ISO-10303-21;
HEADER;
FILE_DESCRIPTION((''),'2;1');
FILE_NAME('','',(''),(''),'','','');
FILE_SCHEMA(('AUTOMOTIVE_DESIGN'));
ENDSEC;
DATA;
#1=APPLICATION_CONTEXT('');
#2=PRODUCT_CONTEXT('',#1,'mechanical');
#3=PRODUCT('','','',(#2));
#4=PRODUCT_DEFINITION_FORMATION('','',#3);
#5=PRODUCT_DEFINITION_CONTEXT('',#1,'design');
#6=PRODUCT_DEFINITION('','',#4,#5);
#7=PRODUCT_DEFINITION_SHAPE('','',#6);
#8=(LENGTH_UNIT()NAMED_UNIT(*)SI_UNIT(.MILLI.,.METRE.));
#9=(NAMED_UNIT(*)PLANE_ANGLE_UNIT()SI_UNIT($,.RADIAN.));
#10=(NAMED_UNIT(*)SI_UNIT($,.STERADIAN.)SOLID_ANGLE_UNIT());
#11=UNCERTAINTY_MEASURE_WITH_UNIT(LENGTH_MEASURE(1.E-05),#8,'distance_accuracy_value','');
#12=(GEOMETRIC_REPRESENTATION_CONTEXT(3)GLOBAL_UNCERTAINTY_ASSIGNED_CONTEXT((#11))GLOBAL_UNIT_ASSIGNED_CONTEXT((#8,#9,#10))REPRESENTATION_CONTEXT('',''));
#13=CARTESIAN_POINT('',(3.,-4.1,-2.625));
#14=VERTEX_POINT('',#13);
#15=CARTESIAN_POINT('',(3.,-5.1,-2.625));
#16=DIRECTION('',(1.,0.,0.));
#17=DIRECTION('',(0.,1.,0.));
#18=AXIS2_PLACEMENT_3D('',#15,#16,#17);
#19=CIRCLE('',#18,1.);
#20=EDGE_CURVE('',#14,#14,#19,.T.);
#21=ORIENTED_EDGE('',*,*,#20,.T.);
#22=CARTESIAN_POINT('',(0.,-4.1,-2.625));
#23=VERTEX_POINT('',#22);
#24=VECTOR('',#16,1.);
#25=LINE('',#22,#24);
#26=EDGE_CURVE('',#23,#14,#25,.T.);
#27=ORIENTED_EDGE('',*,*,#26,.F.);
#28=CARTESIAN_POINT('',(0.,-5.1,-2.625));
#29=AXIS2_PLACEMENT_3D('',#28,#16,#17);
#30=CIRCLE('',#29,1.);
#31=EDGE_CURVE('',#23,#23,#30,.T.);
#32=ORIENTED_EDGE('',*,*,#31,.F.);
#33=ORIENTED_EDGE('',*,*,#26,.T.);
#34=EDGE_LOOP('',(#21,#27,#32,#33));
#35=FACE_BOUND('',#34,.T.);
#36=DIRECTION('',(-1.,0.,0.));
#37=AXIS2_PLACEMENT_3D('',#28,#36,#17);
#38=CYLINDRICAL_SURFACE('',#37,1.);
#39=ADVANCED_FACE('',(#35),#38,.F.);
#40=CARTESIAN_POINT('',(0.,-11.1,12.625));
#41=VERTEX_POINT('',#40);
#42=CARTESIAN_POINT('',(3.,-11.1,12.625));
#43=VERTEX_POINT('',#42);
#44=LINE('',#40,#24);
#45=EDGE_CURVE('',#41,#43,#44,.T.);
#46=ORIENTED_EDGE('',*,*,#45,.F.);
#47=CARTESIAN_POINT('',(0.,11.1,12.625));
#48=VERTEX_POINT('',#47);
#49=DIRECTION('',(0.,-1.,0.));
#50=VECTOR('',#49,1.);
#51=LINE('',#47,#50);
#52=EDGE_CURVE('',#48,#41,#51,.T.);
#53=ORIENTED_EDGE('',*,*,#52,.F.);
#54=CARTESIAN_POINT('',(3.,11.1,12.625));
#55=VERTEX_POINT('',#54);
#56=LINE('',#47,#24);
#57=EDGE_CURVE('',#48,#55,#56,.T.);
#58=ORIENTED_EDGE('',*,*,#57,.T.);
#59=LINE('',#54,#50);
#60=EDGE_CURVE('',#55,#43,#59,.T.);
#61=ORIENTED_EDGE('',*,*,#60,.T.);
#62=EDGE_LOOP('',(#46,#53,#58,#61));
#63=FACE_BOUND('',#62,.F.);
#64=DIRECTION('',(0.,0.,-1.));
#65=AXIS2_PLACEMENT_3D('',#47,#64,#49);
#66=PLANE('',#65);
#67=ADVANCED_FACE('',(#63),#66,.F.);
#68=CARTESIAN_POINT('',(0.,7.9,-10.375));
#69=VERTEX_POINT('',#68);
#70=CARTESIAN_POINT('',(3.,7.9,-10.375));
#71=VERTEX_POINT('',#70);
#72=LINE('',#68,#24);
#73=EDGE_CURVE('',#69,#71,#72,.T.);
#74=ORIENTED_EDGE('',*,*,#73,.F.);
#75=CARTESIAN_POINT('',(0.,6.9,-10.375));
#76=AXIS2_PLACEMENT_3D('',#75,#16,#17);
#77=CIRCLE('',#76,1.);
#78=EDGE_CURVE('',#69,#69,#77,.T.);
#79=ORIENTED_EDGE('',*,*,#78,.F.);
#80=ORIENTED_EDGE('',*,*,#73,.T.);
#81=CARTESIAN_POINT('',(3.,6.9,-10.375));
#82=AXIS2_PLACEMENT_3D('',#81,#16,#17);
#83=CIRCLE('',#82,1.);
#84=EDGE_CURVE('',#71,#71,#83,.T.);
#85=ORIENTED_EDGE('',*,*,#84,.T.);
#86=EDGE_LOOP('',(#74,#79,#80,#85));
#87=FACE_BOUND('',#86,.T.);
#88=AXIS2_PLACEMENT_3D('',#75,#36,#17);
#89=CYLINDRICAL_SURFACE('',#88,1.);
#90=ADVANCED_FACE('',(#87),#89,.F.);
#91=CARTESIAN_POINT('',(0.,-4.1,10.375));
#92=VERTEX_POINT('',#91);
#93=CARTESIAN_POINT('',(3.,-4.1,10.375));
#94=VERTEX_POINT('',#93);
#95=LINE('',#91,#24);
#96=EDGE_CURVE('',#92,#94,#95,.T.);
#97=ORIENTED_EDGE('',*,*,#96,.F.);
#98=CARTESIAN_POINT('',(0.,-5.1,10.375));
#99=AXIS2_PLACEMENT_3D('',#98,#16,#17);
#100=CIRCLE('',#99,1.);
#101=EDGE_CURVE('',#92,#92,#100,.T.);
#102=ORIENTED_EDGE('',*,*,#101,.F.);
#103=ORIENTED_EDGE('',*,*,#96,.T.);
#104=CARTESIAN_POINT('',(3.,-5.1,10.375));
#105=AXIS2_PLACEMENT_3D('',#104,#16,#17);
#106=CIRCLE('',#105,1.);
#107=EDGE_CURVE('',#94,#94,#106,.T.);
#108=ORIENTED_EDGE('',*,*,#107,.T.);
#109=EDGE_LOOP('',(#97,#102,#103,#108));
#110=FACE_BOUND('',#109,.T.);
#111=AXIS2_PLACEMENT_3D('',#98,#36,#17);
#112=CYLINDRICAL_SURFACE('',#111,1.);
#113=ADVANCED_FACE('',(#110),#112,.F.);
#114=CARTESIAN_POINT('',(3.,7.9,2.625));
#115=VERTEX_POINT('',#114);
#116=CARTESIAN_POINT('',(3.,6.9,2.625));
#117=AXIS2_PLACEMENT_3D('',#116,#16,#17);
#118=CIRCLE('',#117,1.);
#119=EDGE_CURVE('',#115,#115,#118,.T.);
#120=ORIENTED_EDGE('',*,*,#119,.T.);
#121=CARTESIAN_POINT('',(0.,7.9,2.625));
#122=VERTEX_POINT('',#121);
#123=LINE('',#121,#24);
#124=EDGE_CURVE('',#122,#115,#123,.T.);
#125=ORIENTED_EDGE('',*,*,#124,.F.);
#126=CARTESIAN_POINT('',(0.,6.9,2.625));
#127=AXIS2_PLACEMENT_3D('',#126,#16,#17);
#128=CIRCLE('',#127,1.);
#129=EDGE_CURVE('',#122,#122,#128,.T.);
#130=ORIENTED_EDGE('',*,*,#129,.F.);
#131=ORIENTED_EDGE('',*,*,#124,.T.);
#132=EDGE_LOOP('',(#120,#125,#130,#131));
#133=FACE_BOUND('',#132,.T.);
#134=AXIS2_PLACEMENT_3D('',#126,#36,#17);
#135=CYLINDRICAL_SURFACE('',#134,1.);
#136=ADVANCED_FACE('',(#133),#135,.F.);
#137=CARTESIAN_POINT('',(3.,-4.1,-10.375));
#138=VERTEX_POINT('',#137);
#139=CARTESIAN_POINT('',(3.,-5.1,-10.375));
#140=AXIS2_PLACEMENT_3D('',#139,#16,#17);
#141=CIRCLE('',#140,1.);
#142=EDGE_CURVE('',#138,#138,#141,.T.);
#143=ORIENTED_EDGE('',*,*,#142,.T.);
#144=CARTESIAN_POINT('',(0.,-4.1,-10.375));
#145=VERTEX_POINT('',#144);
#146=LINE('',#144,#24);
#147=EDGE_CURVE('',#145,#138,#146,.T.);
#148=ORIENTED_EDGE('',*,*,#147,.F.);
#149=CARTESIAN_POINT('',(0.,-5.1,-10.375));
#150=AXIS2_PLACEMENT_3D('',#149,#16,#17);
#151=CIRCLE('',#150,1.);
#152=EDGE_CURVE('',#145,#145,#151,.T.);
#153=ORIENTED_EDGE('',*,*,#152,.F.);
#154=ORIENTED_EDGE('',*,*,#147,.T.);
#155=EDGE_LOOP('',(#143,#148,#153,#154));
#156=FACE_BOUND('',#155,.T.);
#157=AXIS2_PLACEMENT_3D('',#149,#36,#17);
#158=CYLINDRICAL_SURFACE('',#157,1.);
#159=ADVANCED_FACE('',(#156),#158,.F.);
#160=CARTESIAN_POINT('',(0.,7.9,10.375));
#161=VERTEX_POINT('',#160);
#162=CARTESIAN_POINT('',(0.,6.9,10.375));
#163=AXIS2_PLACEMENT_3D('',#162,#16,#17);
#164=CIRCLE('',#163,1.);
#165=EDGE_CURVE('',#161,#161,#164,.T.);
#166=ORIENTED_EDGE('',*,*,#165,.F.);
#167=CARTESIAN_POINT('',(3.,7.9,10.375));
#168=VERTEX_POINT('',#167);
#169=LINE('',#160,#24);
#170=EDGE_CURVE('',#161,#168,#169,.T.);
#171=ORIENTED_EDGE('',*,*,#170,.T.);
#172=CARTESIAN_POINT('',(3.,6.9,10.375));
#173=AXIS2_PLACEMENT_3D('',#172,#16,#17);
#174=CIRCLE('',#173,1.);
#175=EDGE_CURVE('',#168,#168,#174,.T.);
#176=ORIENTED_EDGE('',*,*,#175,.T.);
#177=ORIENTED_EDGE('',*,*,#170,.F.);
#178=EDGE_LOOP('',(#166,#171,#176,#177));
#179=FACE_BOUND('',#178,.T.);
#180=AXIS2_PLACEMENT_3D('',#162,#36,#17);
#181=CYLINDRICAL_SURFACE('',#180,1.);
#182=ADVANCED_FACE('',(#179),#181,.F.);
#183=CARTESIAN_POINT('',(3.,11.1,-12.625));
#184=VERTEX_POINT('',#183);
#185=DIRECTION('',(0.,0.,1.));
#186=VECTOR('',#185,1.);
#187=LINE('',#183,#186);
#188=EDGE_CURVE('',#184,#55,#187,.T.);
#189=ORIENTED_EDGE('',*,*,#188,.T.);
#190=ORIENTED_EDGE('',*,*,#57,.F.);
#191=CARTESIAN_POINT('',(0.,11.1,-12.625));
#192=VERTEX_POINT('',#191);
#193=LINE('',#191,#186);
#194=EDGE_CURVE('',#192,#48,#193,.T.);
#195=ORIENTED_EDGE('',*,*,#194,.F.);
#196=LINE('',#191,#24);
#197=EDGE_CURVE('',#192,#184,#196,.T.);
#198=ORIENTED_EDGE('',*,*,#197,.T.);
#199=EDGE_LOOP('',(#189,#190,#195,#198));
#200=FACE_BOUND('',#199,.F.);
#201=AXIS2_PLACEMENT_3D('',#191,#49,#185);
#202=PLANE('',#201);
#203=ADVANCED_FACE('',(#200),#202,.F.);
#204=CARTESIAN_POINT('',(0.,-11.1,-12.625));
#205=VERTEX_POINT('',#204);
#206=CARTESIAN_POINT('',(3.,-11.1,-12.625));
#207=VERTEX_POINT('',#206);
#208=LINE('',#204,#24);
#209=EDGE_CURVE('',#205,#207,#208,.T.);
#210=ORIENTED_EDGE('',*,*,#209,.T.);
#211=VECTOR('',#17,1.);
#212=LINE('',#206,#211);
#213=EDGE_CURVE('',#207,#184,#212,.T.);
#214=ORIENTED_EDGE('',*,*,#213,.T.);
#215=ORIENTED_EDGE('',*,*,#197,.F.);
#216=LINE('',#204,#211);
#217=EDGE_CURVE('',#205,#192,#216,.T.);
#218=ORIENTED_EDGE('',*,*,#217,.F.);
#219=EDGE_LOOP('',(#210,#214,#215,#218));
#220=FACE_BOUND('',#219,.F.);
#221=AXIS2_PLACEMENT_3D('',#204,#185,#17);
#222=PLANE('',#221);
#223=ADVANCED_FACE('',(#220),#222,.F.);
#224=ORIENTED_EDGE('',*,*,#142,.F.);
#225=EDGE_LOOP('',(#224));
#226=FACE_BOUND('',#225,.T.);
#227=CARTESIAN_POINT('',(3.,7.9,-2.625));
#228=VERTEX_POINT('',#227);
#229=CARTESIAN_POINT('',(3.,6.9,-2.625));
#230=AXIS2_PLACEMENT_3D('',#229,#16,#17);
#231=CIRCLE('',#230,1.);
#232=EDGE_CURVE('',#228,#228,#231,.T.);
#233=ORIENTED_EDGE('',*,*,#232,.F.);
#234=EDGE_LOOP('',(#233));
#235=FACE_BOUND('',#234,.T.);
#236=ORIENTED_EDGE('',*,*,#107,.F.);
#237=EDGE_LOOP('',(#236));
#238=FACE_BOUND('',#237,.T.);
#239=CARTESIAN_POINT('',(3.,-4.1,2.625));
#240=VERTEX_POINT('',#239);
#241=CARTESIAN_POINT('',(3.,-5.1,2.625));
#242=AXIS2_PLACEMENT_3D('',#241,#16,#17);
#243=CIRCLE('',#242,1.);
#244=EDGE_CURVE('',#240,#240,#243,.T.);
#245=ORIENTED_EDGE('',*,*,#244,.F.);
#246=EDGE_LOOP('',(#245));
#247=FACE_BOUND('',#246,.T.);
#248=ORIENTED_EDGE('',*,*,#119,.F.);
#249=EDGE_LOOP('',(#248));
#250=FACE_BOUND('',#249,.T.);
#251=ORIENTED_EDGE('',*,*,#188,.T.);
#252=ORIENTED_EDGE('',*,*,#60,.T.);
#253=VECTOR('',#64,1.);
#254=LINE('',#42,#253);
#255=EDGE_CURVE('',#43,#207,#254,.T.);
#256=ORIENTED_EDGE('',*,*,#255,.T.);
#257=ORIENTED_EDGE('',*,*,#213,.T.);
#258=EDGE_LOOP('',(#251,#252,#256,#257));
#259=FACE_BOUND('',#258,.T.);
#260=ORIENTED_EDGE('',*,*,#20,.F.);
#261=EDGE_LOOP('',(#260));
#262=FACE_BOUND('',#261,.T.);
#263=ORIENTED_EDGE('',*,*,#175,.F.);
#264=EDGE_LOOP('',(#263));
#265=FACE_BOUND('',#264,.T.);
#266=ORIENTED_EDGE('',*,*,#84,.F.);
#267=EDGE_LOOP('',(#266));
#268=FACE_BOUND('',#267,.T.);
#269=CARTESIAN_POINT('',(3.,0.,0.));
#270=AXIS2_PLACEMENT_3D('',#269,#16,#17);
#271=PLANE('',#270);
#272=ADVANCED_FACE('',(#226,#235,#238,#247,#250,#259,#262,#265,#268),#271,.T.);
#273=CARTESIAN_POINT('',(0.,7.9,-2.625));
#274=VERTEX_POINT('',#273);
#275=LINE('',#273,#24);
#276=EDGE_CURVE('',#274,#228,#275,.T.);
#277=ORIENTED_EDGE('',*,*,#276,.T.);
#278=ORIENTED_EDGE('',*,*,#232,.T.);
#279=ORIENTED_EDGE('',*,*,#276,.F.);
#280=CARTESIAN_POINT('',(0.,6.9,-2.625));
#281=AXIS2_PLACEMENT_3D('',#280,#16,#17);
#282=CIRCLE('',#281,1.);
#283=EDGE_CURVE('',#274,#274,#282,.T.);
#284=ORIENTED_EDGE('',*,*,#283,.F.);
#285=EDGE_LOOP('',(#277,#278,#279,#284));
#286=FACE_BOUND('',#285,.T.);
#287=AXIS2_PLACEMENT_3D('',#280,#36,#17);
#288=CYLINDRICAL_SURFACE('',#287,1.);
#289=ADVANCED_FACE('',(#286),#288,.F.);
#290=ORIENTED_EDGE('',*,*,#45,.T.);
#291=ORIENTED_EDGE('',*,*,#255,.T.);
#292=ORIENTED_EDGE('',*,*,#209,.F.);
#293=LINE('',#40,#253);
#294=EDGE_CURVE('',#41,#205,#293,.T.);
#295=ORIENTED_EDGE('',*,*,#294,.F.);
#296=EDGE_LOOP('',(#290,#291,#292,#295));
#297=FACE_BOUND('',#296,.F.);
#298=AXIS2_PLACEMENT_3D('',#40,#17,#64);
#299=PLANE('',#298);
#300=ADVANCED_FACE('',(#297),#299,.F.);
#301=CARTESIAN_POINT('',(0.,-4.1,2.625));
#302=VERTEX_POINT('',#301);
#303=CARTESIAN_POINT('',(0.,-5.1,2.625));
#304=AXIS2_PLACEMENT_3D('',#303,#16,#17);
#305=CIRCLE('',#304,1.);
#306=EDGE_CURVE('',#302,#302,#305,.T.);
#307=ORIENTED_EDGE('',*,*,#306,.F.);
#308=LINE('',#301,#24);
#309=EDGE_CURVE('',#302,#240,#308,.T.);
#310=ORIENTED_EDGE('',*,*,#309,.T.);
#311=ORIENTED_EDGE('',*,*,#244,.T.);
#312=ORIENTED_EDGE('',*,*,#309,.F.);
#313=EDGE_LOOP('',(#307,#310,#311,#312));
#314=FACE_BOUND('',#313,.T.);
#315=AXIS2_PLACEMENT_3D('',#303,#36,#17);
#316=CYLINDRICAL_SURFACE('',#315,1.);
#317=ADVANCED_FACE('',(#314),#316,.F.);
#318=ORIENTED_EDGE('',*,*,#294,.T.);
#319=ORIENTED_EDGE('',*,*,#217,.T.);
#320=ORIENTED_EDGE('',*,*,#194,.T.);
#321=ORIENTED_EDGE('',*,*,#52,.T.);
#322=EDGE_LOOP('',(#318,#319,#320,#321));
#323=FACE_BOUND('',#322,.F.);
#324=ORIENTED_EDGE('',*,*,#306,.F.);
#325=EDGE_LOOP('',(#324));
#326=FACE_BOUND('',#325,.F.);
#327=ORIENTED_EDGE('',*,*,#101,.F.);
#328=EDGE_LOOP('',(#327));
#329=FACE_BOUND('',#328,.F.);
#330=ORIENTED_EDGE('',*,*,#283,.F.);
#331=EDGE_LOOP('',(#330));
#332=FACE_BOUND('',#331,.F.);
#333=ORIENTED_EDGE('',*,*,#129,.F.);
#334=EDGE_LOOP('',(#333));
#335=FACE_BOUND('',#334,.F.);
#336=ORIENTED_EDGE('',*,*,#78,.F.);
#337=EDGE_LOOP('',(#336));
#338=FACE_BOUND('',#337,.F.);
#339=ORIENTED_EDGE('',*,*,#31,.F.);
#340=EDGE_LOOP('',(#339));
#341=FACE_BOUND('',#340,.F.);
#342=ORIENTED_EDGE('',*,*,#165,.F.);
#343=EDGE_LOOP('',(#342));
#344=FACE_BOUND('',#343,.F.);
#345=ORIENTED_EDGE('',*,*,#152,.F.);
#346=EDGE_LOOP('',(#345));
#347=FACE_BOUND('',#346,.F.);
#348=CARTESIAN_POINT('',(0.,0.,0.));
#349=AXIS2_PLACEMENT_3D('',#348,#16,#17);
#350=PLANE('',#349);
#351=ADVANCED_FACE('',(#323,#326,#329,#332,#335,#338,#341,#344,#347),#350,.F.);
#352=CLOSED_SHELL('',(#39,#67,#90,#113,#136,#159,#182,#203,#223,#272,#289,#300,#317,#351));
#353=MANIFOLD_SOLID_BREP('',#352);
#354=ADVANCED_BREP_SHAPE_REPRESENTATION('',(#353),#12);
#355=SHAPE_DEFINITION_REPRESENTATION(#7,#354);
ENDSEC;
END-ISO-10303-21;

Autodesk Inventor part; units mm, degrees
ref_plane "YZ Plane" through (0, 0, 0) normal (1, 0, 0) x (0, 1, 0)
ref_plane "XZ Plane" through (0, 0, 0) normal (0, 1, 0) x (-1, 0, 0)
ref_plane "XY Plane" through (0, 0, 0) normal (0, 0, 1) x (1, 0, 0)
sketch "Sketch1" plane through (0, 0, 0) normal (1, 0, 0) x (0, 1, 0)
  line L0 (11.1, 12.625) -> (-11.1, 12.625)
  line L1 (-11.1, 12.625) -> (-11.1, -12.625)
  line L2 (-11.1, -12.625) -> (11.1, -12.625)
  line L3 (11.1, -12.625) -> (11.1, 12.625)
  line L4 (7.1853, 0) -> (-6.35, 0) construction
  line L5 (0, 7.4808) -> (0, -6.6937) construction
  circle A0 centre (-5.1, 10.375) radius 1
  circle A1 centre (-5.1, 2.625) radius 1
  circle A2 centre (-5.1, -10.375) radius 1
  circle A3 centre (-5.1, -2.625) radius 1
  circle A4 centre (6.9, 10.375) radius 1
  circle A5 centre (6.9, -10.375) radius 1
  circle A6 centre (6.9, 2.625) radius 1
  circle A7 centre (6.9, -2.625) radius 1
  point P0 (0, 0)
  dimension "d0" = 22.2
  dimension "d1" = 25.25
  dimension "d2" = 2
  dimension "d3" = 6
  dimension "d4" = 2.25
  dimension "d5" = 2
  dimension "d6" = 10
  dimension "d9" = 2
  dimension "d10" = 4.2
  dimension "d14" = 2
  dimension "d15" = 2
extrude "Extrusion1" add sketch "Sketch1" along normal blind 3 contours L3 L2 L1 L0 | A6 | A7
extrude "Extrusion2" cut sketch "Sketch1" along normal blind 3 contours A6 | A7
properties part number "Konektor Lifter_3DPrint"
